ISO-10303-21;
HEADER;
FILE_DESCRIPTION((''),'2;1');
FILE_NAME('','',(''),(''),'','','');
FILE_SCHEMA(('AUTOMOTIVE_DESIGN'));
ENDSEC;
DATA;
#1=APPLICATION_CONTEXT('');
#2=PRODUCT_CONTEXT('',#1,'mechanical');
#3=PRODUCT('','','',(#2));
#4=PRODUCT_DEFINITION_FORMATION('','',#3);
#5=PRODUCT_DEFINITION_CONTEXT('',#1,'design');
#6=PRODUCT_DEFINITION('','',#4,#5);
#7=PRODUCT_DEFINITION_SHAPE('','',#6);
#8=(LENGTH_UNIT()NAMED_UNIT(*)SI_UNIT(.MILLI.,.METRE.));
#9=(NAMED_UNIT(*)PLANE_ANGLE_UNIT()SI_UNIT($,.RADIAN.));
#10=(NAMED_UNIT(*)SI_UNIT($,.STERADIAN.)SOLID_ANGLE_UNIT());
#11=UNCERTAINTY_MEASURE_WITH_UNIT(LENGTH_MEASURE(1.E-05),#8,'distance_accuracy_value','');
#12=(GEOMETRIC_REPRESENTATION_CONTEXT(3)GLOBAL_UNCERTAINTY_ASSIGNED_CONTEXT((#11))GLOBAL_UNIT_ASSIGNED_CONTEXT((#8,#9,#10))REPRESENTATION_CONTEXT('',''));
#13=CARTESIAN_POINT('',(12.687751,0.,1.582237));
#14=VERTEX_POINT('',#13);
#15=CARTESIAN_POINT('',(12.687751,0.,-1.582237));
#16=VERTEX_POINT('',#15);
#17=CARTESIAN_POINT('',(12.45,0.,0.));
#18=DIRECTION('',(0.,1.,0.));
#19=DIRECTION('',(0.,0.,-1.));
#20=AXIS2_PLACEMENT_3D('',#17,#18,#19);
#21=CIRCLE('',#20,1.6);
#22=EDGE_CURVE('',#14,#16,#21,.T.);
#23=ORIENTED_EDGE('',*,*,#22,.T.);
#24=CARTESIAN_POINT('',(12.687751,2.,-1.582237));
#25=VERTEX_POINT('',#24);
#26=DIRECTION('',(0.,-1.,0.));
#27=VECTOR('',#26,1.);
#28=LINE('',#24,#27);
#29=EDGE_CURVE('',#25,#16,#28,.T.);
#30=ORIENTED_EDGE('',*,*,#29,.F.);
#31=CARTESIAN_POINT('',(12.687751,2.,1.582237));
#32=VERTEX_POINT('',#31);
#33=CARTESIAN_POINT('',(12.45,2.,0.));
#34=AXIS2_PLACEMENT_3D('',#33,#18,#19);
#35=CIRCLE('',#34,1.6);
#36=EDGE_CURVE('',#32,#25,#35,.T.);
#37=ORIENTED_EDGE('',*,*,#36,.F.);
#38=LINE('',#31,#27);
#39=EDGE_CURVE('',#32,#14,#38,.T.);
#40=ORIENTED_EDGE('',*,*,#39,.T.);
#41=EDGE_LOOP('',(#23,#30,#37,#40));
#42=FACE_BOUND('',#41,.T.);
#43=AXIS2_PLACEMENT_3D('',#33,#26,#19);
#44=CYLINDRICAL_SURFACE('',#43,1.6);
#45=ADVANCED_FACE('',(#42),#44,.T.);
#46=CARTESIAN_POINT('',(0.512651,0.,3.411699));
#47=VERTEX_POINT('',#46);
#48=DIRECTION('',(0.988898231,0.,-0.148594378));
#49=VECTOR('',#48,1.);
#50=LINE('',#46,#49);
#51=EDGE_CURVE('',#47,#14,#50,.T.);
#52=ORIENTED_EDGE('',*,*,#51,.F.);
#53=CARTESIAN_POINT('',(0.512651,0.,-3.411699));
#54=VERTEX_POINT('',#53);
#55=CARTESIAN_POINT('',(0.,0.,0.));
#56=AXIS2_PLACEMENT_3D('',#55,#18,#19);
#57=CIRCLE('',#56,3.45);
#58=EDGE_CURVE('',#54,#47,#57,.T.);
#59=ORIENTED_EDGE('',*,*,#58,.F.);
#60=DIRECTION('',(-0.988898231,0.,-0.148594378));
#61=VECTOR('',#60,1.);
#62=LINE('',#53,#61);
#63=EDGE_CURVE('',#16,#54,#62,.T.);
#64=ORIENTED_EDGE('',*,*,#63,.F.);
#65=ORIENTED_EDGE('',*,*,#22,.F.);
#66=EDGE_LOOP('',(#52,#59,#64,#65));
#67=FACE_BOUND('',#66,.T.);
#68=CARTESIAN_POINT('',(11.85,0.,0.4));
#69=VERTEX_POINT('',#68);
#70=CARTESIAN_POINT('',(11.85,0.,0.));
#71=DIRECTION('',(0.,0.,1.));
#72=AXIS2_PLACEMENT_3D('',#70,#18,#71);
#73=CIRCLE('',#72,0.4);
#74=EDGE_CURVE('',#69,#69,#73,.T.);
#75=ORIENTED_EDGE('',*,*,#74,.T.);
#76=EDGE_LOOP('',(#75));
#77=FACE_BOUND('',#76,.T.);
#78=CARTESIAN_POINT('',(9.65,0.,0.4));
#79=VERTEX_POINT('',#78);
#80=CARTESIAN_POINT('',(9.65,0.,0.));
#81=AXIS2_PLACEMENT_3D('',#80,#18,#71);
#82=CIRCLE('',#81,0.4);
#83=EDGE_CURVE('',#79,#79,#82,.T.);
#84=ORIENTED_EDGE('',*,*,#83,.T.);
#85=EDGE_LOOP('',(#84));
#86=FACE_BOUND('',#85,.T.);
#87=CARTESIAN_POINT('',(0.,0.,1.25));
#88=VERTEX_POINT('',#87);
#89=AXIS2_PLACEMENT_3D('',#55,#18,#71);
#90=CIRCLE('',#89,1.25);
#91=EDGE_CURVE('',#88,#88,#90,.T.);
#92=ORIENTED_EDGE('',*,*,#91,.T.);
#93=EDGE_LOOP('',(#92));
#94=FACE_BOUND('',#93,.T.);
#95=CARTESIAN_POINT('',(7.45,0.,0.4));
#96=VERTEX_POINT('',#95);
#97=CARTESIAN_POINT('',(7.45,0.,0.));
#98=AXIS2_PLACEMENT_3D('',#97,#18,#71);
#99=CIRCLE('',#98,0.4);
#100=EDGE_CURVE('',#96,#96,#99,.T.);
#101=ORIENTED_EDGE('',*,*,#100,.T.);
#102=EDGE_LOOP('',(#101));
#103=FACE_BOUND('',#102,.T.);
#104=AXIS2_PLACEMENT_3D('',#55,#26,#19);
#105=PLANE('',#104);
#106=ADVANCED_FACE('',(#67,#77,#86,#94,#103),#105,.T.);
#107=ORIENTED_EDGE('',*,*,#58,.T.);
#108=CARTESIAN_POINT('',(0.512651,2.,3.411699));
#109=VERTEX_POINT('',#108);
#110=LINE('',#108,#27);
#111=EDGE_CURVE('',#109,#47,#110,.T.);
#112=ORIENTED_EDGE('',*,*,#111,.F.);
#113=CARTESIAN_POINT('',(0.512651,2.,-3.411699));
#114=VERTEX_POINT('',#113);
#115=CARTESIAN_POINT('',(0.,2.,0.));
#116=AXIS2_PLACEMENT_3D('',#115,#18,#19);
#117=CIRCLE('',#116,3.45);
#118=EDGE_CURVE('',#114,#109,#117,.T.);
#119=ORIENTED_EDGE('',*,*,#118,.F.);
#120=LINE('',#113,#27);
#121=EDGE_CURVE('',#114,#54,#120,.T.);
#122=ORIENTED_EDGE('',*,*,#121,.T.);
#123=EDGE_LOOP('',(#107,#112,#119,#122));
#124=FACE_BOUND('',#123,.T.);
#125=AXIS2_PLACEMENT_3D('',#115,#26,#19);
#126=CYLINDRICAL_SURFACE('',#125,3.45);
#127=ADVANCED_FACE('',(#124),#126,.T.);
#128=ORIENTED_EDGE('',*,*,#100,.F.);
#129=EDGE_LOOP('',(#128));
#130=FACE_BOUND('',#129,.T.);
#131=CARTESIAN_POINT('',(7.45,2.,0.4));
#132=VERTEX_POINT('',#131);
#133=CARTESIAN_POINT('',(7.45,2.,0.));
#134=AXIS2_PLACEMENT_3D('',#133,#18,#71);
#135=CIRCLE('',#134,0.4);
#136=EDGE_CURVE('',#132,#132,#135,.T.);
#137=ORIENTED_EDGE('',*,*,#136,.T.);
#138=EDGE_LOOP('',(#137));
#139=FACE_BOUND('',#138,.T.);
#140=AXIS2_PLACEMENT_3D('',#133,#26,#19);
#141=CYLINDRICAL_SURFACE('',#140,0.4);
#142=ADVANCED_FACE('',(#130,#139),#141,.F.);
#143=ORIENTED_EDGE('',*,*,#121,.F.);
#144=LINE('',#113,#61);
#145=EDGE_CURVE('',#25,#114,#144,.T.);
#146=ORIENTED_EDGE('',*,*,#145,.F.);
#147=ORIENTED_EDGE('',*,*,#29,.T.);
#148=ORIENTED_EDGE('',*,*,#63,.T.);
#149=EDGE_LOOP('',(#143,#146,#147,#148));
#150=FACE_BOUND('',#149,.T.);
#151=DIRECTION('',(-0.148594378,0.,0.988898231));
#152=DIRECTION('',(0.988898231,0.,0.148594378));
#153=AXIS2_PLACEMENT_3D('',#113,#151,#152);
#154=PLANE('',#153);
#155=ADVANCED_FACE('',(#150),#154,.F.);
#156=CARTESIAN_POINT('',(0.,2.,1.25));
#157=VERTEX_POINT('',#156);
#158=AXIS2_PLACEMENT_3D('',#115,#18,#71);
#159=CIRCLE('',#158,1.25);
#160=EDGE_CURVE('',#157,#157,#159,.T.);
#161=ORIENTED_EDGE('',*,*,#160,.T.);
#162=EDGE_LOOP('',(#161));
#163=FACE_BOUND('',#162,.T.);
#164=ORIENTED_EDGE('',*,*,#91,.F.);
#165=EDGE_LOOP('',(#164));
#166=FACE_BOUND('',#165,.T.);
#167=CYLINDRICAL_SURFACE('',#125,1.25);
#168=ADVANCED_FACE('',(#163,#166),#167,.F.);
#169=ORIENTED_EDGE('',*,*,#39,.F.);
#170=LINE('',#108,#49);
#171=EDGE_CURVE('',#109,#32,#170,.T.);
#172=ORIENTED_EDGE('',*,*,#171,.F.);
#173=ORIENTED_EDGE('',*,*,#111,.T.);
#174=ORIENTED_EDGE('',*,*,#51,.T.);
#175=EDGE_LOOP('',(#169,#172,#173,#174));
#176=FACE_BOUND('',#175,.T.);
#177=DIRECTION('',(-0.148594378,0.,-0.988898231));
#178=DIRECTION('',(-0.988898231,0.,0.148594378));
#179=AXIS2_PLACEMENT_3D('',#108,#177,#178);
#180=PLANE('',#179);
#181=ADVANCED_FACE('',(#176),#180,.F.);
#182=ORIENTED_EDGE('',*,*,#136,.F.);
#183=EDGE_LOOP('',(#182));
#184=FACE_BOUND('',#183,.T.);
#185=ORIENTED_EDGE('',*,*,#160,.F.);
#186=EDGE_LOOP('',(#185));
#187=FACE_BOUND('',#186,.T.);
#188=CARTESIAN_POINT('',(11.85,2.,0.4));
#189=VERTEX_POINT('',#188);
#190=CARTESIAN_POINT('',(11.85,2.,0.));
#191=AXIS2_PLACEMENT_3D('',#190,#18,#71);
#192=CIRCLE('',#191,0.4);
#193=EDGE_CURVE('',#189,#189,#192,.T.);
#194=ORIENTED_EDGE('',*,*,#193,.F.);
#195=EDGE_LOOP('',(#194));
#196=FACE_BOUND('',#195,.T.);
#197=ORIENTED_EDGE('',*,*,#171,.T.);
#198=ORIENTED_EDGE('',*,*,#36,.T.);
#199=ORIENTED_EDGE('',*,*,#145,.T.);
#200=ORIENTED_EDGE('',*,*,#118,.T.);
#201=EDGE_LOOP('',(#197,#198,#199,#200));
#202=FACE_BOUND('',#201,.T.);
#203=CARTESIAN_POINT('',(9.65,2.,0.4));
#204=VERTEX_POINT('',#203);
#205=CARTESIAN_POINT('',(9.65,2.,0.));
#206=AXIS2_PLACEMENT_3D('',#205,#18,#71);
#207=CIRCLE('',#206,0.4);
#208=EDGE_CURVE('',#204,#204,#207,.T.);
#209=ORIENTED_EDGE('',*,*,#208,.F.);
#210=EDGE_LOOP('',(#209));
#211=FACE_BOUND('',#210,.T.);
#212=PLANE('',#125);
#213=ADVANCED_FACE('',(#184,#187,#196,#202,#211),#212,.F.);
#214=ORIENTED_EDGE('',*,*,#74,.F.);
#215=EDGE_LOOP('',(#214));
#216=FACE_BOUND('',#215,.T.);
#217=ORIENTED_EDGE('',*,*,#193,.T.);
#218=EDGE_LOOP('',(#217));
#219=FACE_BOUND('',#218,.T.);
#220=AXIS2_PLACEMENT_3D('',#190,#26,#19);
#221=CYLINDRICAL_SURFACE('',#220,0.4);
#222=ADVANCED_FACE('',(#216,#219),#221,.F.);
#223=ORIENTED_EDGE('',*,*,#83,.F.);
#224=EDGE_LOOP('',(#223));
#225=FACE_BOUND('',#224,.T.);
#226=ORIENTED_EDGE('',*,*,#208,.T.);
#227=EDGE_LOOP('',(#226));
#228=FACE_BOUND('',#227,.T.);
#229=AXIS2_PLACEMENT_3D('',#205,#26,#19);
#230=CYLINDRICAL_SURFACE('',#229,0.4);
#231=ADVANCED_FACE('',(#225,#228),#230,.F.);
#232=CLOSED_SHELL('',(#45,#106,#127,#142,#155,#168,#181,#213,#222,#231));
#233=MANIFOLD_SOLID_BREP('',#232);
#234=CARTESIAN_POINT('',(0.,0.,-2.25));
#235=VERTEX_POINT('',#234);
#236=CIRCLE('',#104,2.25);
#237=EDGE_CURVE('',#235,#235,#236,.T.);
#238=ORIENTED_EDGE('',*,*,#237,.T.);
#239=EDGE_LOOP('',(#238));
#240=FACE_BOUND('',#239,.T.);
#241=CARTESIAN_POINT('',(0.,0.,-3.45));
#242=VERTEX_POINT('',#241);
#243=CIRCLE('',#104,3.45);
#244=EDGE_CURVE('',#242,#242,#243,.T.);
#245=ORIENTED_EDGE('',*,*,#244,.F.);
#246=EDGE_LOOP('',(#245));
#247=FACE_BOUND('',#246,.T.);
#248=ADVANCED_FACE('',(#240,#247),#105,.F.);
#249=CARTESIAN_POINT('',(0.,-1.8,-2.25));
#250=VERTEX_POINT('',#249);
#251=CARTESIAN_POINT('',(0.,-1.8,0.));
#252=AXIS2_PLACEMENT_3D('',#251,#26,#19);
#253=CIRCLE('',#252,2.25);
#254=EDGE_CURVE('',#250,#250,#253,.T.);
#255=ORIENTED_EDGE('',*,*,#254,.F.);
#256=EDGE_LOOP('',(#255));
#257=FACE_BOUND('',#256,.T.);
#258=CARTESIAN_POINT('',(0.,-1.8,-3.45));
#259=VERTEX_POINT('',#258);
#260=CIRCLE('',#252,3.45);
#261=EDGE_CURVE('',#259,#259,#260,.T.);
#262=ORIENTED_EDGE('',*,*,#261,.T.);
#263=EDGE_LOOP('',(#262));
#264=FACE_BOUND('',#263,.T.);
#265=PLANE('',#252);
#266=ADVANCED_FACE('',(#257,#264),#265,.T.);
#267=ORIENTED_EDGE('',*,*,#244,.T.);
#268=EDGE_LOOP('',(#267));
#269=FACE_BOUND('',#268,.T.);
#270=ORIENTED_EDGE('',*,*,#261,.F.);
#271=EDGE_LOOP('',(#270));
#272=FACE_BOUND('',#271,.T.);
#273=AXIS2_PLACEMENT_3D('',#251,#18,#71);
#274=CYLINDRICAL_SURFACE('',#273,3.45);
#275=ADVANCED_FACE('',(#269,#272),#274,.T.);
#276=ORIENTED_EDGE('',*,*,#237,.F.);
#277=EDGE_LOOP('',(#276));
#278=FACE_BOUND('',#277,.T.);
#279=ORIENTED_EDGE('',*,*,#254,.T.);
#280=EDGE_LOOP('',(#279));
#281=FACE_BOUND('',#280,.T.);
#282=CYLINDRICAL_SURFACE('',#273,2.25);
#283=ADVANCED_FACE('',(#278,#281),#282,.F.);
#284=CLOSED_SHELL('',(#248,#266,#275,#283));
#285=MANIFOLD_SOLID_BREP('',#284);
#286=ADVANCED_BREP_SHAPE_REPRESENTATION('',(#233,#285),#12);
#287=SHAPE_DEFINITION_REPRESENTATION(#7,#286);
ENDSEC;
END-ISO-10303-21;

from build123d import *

# Parameters (mm, degrees)
SKETCH1_R           = 0.4
SKETCH1_R_2         = 1.25
BOSS_EXTRUDE1_DEPTH = 2
SKETCH2_R           = 3.45
SKETCH2_R_2         = 2.25
BOSS_EXTRUDE2_DEPTH = 1.8


with BuildPart() as part:
    # Sketch1 → Boss-Extrude1 (new body)
    with BuildSketch(Plane(origin=(0, 0, 0), x_dir=(1, 0, 0), z_dir=(0, 1, 0))):
        with BuildLine():
            Line((0.512650602, 3.411698896), (12.687751004, 1.582237169))
            ThreePointArc((12.687751004, 1.582237169), (14.05, 0), (12.687751004, -1.582237169))
            Line((12.687751004, -1.582237169), (0.512650602, -3.411698896))
            ThreePointArc((0.512650602, -3.411698896), (-3.45, 0), (0.512650602, 3.411698896))
        make_face()
        with Locations(Location((7.45, 0, 0), (0, 0, 270))):
            Circle(SKETCH1_R, mode=Mode.SUBTRACT)
        with Locations(Location((9.65, 0, 0), (0, 0, 270))):
            Circle(SKETCH1_R, mode=Mode.SUBTRACT)
        with Locations(Location((11.85, 0, 0), (0, 0, 270))):
            Circle(SKETCH1_R, mode=Mode.SUBTRACT)
        with Locations(Location((0, 0, 0), (0, 0, 270))):
            Circle(SKETCH1_R_2, mode=Mode.SUBTRACT)
    extrude(amount=BOSS_EXTRUDE1_DEPTH)


with BuildPart() as body_2:
    # Sketch2 → Boss-Extrude2 (new body)
    with BuildSketch(Plane.XZ):
        with Locations(Location((0, 0, 0), (0, 0, 270))):
            Circle(SKETCH2_R)
        with Locations(Location((0, 0, 0), (0, 0, 270))):
            Circle(SKETCH2_R_2, mode=Mode.SUBTRACT)
    extrude(amount=BOSS_EXTRUDE2_DEPTH)


solid = Compound([part.part, body_2.part])
